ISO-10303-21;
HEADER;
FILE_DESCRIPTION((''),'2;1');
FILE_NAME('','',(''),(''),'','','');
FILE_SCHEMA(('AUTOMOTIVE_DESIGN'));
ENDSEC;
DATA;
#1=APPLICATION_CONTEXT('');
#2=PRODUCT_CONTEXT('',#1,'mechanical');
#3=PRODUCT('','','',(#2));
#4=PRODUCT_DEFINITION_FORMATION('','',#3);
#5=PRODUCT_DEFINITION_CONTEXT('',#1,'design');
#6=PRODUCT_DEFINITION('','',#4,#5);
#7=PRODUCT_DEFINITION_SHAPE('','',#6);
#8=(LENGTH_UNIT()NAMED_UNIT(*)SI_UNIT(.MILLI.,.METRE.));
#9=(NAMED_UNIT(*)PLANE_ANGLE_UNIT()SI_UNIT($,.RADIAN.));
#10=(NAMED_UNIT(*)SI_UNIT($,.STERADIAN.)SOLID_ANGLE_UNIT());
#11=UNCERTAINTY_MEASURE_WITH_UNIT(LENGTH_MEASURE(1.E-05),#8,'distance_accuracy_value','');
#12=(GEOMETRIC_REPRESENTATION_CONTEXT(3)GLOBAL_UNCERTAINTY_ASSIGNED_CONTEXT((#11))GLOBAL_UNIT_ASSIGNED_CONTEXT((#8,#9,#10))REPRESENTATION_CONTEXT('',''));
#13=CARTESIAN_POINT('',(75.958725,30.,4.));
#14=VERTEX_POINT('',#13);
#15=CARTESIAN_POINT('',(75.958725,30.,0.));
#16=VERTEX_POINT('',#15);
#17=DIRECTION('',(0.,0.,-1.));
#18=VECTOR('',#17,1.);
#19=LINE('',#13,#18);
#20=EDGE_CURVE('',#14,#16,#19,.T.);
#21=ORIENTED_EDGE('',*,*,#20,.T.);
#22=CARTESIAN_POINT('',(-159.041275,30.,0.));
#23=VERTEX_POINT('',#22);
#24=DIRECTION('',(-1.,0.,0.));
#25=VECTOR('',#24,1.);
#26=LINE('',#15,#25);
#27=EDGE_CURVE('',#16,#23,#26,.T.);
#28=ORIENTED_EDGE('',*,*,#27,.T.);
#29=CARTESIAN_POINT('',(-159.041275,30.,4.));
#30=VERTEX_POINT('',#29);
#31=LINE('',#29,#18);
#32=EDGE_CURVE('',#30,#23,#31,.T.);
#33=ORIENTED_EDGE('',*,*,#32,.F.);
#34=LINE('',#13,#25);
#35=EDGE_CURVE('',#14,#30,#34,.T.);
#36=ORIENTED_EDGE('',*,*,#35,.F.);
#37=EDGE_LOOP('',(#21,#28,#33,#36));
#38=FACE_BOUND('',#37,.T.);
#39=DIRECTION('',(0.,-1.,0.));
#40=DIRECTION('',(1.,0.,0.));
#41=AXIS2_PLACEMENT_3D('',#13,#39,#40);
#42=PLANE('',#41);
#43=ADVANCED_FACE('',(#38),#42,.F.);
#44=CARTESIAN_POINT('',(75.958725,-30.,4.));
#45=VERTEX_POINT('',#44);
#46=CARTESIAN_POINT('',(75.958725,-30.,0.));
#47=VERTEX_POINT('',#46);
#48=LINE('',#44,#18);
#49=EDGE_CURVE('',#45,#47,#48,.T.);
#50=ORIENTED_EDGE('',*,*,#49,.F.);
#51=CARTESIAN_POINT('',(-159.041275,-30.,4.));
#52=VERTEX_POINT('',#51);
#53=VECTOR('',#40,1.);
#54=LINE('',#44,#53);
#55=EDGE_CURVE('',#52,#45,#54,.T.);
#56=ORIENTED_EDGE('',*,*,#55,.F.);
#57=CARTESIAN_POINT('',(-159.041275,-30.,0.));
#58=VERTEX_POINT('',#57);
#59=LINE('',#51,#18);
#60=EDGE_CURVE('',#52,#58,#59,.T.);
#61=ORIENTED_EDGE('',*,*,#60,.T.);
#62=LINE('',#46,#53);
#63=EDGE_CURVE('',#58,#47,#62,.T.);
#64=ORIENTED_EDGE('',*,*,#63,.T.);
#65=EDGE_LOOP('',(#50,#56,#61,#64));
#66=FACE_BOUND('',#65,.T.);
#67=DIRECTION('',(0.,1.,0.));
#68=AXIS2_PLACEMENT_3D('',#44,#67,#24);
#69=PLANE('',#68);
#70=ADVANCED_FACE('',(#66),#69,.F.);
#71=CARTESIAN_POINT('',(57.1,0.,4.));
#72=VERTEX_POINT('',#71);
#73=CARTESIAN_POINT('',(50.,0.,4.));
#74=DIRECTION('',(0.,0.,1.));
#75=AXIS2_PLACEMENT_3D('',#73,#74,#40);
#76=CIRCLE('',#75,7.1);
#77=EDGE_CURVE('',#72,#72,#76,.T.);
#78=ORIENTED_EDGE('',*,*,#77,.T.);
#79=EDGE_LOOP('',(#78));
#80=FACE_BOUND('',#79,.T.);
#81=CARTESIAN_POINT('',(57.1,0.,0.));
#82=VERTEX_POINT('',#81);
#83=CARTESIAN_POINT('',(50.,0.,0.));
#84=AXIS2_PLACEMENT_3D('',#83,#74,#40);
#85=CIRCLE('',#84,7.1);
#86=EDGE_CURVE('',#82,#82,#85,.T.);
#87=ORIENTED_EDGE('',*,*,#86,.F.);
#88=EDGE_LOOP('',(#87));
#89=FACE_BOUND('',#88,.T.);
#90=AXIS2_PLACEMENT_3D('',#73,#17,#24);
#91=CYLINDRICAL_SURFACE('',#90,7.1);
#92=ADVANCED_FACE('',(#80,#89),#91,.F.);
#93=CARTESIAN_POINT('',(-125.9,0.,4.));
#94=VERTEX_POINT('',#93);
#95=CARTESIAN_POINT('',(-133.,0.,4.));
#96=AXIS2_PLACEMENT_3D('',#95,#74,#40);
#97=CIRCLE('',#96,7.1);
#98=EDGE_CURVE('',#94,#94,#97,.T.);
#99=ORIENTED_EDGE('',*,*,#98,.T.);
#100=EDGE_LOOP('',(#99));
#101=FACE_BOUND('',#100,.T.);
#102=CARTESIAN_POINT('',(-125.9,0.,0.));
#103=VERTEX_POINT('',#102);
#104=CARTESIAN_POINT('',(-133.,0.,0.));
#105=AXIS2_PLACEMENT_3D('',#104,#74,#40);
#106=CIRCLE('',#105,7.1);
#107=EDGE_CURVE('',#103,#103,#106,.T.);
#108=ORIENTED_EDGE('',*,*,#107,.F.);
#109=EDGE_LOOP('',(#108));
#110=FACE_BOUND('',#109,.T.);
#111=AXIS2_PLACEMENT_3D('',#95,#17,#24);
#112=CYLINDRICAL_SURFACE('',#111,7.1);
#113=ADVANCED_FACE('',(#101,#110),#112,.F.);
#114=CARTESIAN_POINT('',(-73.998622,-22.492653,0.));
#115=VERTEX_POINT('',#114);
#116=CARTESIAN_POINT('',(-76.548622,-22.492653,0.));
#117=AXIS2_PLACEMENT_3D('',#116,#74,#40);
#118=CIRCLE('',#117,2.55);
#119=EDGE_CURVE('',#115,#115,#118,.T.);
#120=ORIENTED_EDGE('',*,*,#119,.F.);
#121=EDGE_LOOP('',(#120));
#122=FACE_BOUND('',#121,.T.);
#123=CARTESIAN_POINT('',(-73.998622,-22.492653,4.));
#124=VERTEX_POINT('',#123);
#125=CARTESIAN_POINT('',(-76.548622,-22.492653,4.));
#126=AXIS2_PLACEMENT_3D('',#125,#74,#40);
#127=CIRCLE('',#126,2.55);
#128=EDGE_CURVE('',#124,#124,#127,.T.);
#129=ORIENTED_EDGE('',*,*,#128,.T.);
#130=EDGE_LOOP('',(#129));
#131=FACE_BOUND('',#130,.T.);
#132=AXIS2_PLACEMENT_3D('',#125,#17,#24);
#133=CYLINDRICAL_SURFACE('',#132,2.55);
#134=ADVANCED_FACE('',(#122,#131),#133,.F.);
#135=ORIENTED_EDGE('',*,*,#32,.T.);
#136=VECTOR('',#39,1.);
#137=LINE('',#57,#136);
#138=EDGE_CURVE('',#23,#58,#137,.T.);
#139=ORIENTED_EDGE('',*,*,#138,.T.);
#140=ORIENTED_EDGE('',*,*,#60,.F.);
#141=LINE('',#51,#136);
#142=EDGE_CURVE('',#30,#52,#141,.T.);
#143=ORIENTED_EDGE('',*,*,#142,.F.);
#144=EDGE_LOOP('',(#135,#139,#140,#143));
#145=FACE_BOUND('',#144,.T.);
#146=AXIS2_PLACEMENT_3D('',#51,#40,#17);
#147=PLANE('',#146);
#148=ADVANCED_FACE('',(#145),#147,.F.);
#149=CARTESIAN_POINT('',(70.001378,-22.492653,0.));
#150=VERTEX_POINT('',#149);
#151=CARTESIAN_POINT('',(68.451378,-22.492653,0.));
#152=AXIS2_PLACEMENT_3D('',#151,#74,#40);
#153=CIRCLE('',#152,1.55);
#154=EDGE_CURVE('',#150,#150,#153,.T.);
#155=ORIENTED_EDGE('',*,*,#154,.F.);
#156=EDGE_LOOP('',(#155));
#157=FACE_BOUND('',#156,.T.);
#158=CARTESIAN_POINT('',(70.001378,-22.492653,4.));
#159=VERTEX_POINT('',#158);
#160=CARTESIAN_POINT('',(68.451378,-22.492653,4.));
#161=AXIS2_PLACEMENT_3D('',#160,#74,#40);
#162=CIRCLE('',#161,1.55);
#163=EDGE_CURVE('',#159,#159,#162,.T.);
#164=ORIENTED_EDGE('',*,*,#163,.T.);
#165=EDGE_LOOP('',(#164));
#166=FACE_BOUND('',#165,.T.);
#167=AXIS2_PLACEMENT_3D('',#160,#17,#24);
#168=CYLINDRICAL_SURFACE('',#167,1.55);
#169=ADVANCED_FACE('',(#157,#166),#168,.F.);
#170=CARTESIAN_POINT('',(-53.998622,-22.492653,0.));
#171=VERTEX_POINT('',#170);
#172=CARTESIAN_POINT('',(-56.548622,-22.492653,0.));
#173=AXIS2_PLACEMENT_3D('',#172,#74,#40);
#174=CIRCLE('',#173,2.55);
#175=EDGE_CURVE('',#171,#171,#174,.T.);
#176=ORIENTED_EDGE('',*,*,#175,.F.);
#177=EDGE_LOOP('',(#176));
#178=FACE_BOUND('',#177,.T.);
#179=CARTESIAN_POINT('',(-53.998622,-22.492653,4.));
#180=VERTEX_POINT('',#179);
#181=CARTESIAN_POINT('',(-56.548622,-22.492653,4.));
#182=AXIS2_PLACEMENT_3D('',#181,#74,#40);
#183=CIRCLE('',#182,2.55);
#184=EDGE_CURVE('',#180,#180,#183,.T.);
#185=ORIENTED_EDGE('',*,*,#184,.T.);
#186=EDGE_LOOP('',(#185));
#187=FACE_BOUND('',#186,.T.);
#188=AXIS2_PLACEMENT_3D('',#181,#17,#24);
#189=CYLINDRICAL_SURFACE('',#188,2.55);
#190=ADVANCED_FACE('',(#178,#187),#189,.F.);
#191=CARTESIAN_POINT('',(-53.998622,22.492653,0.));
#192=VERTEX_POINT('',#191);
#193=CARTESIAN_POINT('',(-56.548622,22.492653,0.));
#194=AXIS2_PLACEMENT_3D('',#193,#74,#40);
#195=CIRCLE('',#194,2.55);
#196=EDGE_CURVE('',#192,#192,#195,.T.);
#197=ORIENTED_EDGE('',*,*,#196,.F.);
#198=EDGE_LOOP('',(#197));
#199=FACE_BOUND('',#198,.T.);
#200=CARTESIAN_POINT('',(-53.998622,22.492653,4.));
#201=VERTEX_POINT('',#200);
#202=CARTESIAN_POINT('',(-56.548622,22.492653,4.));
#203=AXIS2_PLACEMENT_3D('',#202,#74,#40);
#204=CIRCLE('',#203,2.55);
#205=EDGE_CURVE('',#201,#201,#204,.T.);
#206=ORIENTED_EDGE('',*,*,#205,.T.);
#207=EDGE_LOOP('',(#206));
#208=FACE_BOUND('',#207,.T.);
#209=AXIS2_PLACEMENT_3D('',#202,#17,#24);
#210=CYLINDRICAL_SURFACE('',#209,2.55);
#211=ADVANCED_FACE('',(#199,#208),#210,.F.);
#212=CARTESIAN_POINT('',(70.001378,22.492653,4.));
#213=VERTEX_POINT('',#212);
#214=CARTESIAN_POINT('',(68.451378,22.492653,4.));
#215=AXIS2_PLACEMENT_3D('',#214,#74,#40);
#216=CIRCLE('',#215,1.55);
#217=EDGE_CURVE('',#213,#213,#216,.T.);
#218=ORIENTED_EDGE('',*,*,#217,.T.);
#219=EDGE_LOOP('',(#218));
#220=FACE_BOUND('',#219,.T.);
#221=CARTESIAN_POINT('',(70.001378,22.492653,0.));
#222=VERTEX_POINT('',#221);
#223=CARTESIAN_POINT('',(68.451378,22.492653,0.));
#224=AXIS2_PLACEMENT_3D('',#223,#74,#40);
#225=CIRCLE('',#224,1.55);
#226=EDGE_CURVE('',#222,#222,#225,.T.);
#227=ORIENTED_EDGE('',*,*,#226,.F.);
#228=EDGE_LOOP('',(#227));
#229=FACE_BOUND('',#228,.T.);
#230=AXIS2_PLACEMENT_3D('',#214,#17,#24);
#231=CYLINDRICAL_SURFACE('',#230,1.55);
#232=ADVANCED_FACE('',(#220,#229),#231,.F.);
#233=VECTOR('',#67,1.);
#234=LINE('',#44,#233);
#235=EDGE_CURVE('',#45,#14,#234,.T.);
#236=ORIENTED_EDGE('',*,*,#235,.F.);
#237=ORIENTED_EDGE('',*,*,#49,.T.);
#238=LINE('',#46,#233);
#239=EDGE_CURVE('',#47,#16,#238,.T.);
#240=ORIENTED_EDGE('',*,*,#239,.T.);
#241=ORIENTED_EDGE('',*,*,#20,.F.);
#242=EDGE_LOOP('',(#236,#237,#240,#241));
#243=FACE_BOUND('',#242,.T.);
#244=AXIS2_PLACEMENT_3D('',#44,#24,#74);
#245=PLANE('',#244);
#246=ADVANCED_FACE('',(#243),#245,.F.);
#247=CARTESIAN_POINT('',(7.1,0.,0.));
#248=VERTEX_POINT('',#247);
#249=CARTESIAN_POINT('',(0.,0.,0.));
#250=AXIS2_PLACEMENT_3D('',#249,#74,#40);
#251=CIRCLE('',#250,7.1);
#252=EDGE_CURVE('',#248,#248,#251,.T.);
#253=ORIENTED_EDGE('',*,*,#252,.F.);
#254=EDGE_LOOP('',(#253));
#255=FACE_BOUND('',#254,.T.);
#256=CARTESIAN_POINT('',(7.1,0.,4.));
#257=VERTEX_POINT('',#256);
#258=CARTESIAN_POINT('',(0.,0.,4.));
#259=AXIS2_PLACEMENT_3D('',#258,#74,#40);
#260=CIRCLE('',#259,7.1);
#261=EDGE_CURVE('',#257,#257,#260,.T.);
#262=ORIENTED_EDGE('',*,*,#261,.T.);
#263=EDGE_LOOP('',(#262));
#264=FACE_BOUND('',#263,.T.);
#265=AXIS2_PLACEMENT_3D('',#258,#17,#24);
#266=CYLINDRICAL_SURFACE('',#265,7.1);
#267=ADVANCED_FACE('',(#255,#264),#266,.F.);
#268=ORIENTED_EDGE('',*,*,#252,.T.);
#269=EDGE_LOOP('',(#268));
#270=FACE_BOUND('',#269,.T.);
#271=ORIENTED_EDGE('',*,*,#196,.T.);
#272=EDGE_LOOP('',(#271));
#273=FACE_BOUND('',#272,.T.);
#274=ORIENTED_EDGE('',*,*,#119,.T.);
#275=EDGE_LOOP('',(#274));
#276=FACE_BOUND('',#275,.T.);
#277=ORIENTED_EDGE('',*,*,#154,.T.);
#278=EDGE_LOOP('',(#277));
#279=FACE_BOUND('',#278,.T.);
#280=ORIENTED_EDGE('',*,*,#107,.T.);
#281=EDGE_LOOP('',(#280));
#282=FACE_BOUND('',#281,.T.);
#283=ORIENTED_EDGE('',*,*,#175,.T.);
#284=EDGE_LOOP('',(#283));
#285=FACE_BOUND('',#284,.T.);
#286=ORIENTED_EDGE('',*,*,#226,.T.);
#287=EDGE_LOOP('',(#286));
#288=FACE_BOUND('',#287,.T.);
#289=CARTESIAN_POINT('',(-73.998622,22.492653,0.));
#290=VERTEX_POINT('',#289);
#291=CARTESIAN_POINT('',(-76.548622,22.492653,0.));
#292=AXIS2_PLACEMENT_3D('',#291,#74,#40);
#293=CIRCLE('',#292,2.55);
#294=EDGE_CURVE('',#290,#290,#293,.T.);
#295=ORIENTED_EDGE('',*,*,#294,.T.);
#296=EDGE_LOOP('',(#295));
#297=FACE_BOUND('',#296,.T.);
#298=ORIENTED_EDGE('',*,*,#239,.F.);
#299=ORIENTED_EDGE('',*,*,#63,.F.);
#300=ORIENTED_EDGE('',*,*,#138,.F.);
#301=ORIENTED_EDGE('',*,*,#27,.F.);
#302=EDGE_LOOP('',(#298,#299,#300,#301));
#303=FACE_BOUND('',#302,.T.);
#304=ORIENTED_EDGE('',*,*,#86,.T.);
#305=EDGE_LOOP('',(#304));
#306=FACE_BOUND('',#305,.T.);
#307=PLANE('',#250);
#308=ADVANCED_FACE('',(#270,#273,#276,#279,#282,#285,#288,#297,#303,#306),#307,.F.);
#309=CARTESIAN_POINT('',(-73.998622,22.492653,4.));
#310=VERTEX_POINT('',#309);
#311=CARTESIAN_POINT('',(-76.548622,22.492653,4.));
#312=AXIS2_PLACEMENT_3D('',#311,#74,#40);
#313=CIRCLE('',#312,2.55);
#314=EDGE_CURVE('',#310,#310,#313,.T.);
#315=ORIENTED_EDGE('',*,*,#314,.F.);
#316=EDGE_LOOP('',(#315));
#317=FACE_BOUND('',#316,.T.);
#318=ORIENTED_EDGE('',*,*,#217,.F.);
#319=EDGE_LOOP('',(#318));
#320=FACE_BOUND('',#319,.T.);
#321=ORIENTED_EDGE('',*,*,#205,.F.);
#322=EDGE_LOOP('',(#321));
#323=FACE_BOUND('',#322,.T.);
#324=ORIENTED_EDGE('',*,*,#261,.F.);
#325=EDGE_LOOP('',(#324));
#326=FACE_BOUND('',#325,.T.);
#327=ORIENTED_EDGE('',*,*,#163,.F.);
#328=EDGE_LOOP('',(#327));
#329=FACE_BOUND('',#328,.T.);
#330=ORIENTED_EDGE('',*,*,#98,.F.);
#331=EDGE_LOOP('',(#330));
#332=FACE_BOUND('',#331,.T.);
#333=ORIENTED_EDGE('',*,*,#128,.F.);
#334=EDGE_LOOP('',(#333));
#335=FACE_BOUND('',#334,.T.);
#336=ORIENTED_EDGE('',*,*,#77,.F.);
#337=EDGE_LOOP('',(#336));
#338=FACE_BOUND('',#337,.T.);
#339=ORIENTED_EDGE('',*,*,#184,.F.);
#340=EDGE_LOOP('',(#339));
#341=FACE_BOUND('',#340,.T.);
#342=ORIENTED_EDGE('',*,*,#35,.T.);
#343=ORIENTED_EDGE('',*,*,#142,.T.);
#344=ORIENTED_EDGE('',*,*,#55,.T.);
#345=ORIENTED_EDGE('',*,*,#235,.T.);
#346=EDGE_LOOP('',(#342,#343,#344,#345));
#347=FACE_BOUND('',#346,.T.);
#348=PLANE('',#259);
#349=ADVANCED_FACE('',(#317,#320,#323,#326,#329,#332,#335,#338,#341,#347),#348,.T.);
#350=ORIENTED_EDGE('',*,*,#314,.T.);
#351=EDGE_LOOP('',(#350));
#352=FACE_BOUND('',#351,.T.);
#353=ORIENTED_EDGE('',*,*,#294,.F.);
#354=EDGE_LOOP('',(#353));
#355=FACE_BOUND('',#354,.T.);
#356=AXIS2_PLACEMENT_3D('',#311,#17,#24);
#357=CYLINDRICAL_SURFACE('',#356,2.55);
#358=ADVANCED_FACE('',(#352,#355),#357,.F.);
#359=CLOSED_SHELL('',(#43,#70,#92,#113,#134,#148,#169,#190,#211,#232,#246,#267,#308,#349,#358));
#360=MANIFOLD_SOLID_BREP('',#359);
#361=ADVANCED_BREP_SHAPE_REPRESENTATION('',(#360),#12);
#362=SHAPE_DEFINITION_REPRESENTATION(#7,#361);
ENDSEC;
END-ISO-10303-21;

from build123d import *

# Parameters (mm, degrees)
SKETCH1_W           = 235
SKETCH1_H           = 60
SKETCH1_R           = 7.1
SKETCH1_R_2         = 1.55
SKETCH1_R_3         = 2.55
BOSS_EXTRUDE1_DEPTH = 4


with BuildPart() as part:
    # Sketch1 → Boss-Extrude1 (new body)
    with BuildSketch(Plane.XY):
        with Locations((-41.541275094, 0)):
            Rectangle(SKETCH1_W, SKETCH1_H)
        with Locations((-133, 0)):
            Circle(SKETCH1_R, mode=Mode.SUBTRACT)
        with Locations((50, 0)):
            Circle(SKETCH1_R, mode=Mode.SUBTRACT)
        Circle(SKETCH1_R, mode=Mode.SUBTRACT)
        with Locations((68.451377883, -22.492652976)):
            Circle(SKETCH1_R_2, mode=Mode.SUBTRACT)
        with Locations((68.451377883, 22.492652976)):
            Circle(SKETCH1_R_2, mode=Mode.SUBTRACT)
        with Locations((-56.548622117, -22.492652976)):
            Circle(SKETCH1_R_3, mode=Mode.SUBTRACT)
        with Locations((-56.548622117, 22.492652976)):
            Circle(SKETCH1_R_3, mode=Mode.SUBTRACT)
        with Locations((-76.548622117, -22.492652976)):
            Circle(SKETCH1_R_3, mode=Mode.SUBTRACT)
        with Locations((-76.548622117, 22.492652976)):
            Circle(SKETCH1_R_3, mode=Mode.SUBTRACT)
    extrude(amount=BOSS_EXTRUDE1_DEPTH)


solid = part.part
